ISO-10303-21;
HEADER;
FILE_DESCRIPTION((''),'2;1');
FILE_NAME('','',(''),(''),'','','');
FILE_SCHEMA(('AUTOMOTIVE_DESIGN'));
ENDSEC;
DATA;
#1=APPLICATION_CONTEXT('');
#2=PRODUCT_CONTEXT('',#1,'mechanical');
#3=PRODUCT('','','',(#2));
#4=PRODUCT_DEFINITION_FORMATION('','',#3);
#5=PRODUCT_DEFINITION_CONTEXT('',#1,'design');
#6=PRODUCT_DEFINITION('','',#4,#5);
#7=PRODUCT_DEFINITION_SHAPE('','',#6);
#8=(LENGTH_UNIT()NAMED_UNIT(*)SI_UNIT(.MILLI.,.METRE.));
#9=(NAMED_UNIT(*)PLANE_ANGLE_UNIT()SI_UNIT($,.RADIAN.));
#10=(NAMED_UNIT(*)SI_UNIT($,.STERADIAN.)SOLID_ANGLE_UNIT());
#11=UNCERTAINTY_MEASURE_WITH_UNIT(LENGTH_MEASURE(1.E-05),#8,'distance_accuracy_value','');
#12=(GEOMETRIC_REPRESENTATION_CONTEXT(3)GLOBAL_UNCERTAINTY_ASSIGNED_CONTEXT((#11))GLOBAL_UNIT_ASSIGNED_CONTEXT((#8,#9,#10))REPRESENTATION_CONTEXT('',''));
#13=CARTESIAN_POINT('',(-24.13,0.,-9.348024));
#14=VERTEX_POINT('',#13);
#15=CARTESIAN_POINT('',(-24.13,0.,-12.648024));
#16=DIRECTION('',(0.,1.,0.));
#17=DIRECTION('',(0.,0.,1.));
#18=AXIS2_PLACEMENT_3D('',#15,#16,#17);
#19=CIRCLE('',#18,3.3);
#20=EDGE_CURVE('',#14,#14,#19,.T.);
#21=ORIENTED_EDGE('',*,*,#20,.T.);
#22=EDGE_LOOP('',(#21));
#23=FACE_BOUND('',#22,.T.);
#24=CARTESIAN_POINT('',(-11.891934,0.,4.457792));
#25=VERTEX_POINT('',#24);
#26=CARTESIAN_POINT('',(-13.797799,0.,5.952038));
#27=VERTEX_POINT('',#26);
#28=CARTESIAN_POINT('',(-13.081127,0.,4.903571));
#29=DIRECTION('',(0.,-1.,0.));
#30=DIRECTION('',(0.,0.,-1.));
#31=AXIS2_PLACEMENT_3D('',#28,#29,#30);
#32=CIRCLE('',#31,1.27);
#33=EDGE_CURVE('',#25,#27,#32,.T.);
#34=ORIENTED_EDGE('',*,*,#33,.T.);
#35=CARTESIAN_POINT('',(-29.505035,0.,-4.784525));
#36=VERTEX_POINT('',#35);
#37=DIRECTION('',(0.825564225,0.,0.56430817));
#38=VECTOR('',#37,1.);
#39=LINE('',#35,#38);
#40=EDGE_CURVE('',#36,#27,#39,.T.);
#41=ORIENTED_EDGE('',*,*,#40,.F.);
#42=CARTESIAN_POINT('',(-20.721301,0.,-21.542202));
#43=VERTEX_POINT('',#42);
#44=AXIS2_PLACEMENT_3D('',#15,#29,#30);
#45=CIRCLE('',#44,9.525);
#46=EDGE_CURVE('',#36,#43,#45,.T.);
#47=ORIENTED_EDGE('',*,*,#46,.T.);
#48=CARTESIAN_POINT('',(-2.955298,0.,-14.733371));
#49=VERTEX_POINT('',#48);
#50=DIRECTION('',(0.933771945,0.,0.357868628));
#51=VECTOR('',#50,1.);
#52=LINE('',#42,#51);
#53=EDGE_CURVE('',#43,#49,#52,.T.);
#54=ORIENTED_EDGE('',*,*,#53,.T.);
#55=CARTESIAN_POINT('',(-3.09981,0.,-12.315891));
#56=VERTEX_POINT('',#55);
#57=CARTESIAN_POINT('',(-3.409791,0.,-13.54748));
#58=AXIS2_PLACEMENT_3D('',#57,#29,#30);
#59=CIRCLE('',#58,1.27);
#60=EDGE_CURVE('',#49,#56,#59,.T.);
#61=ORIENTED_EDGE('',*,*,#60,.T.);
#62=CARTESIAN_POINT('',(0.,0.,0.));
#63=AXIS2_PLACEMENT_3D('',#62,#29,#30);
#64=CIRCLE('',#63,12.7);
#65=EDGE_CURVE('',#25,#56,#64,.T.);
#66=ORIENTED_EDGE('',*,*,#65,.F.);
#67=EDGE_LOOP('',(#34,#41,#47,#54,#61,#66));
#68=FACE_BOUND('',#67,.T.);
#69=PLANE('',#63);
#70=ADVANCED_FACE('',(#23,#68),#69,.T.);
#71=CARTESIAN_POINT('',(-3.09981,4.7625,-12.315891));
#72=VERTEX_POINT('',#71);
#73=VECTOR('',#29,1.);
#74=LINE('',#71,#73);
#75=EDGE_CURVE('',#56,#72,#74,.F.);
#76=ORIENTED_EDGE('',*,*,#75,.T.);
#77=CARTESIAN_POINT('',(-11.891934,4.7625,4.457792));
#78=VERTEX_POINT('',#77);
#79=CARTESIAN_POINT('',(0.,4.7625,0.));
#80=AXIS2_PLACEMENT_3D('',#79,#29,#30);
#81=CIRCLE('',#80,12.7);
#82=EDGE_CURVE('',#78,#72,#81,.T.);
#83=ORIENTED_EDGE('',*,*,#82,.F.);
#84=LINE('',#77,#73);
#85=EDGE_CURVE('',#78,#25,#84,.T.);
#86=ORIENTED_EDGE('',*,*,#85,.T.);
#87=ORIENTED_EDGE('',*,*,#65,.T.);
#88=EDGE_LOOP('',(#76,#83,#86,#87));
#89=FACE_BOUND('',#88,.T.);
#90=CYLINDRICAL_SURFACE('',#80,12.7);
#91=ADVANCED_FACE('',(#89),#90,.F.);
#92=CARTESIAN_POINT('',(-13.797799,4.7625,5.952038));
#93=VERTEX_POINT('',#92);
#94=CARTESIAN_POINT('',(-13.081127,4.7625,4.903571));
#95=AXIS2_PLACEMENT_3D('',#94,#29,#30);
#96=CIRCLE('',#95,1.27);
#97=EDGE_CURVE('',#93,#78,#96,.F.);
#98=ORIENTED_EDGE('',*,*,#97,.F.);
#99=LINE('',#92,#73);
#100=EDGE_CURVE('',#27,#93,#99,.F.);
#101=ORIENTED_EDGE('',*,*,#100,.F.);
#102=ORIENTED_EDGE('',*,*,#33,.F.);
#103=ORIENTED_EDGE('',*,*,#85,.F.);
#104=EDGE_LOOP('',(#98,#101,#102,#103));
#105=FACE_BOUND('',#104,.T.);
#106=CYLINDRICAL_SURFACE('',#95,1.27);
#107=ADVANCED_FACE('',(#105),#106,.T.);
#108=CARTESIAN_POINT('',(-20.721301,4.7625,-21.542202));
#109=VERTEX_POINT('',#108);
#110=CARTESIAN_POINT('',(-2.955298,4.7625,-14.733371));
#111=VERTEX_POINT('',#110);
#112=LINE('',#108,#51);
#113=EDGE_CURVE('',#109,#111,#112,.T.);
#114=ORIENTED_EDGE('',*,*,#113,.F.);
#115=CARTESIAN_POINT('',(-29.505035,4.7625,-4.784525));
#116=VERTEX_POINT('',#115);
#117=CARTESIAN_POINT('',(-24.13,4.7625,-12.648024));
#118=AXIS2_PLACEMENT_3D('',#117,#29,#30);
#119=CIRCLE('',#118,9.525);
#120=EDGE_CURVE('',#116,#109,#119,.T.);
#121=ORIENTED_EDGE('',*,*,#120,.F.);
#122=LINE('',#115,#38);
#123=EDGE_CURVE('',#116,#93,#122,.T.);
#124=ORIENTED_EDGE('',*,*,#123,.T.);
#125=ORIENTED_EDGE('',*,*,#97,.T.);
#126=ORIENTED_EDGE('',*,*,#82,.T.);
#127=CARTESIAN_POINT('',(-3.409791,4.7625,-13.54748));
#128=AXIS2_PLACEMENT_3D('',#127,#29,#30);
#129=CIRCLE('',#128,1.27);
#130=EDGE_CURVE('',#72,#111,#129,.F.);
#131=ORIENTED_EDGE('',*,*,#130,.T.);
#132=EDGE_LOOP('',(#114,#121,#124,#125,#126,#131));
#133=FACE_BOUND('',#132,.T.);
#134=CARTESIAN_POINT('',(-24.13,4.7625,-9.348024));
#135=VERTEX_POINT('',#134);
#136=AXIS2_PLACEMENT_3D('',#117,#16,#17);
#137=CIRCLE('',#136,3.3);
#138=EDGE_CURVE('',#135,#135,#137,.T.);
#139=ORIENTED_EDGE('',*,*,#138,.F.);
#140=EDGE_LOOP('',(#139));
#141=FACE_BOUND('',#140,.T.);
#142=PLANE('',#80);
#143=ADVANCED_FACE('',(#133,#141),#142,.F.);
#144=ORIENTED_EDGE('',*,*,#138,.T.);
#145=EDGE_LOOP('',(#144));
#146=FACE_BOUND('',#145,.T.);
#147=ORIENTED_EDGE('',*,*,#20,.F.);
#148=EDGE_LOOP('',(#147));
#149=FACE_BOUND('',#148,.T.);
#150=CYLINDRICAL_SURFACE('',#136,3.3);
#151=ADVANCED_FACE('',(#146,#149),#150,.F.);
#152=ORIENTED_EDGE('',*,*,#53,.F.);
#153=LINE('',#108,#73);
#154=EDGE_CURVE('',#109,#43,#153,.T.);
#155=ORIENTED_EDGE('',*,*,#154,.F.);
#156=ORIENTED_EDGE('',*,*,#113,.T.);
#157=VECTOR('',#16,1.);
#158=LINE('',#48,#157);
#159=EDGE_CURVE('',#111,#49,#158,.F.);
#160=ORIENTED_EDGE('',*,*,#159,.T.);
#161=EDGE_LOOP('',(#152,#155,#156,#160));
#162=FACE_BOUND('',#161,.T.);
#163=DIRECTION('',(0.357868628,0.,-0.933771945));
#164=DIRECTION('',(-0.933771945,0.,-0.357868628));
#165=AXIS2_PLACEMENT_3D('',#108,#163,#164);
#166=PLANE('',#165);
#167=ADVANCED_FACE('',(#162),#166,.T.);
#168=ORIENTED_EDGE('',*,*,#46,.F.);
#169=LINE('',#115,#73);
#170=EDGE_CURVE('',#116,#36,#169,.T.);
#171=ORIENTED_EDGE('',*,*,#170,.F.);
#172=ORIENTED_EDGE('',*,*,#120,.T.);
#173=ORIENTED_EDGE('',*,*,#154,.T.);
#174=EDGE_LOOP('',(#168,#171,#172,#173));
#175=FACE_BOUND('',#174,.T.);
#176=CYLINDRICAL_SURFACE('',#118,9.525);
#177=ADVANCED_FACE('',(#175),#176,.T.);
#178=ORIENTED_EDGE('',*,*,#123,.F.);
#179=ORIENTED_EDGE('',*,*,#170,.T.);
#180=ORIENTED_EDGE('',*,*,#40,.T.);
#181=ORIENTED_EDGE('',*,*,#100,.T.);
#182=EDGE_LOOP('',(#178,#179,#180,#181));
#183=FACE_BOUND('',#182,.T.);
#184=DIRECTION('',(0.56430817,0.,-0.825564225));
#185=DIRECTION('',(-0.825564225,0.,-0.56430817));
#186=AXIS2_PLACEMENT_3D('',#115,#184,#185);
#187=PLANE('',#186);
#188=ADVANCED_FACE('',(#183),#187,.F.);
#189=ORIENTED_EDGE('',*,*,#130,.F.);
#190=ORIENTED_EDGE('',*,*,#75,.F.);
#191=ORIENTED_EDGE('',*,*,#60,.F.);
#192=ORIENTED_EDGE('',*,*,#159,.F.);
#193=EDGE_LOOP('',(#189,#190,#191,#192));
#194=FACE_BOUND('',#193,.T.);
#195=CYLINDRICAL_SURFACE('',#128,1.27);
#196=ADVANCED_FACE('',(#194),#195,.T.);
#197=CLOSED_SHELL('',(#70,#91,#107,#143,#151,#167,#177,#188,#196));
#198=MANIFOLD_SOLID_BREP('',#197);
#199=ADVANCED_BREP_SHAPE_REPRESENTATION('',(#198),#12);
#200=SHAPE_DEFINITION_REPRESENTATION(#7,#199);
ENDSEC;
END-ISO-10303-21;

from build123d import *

# Parameters (mm, degrees)
BOSS_EXTRUDE1_DEPTH  = 4.7625
FILLET1_R            = 1.27
M6_CLEARANCE_HOLE1_D = 6.6


with BuildPart() as part:
    # Sketch1 → Boss-Extrude1 (new body)
    with BuildSketch(Plane(origin=(0, 0, 0), x_dir=(1, 0, 0), z_dir=(0, 1, 0))):
        with BuildLine():
            Line((-29.505035319724954, 4.784524777155699), (-7.166713759633276, -10.484665654539652))
            ThreePointArc((-7.166713759633276, -10.484665654539652), (-11.24843137291464, 5.895997934941107), (4.544931572497542, 11.8589037014943))
            Line((4.544931572497542, 11.8589037014943), (-20.721301320626843, 21.542201794181164))
            ThreePointArc((-20.721301320626843, 21.542201794181164), (-32.56632352968598, 17.07002246926627), (-29.505035319724954, 4.784524777155699))
        make_face()
    extrude(amount=BOSS_EXTRUDE1_DEPTH)

    # Fillet1
    fillet1_edges = [part.edges().sort_by_distance(p)[0] for p in [
        (4.544931572497541, 2.38125, -11.858903701494302),
        (-7.166713759633276, 2.38125, 10.484665654539652),
    ]]
    fillet(fillet1_edges, radius=FILLET1_R)

    # M6 Clearance Hole1 (through all)
    with Locations(Plane(origin=(0, 4.7625, 0), x_dir=(1, 0, 0), z_dir=(0, 1, 0))):
        with Locations((-24.13, 12.648024018)):
            Hole(M6_CLEARANCE_HOLE1_D / 2)


solid = part.part
